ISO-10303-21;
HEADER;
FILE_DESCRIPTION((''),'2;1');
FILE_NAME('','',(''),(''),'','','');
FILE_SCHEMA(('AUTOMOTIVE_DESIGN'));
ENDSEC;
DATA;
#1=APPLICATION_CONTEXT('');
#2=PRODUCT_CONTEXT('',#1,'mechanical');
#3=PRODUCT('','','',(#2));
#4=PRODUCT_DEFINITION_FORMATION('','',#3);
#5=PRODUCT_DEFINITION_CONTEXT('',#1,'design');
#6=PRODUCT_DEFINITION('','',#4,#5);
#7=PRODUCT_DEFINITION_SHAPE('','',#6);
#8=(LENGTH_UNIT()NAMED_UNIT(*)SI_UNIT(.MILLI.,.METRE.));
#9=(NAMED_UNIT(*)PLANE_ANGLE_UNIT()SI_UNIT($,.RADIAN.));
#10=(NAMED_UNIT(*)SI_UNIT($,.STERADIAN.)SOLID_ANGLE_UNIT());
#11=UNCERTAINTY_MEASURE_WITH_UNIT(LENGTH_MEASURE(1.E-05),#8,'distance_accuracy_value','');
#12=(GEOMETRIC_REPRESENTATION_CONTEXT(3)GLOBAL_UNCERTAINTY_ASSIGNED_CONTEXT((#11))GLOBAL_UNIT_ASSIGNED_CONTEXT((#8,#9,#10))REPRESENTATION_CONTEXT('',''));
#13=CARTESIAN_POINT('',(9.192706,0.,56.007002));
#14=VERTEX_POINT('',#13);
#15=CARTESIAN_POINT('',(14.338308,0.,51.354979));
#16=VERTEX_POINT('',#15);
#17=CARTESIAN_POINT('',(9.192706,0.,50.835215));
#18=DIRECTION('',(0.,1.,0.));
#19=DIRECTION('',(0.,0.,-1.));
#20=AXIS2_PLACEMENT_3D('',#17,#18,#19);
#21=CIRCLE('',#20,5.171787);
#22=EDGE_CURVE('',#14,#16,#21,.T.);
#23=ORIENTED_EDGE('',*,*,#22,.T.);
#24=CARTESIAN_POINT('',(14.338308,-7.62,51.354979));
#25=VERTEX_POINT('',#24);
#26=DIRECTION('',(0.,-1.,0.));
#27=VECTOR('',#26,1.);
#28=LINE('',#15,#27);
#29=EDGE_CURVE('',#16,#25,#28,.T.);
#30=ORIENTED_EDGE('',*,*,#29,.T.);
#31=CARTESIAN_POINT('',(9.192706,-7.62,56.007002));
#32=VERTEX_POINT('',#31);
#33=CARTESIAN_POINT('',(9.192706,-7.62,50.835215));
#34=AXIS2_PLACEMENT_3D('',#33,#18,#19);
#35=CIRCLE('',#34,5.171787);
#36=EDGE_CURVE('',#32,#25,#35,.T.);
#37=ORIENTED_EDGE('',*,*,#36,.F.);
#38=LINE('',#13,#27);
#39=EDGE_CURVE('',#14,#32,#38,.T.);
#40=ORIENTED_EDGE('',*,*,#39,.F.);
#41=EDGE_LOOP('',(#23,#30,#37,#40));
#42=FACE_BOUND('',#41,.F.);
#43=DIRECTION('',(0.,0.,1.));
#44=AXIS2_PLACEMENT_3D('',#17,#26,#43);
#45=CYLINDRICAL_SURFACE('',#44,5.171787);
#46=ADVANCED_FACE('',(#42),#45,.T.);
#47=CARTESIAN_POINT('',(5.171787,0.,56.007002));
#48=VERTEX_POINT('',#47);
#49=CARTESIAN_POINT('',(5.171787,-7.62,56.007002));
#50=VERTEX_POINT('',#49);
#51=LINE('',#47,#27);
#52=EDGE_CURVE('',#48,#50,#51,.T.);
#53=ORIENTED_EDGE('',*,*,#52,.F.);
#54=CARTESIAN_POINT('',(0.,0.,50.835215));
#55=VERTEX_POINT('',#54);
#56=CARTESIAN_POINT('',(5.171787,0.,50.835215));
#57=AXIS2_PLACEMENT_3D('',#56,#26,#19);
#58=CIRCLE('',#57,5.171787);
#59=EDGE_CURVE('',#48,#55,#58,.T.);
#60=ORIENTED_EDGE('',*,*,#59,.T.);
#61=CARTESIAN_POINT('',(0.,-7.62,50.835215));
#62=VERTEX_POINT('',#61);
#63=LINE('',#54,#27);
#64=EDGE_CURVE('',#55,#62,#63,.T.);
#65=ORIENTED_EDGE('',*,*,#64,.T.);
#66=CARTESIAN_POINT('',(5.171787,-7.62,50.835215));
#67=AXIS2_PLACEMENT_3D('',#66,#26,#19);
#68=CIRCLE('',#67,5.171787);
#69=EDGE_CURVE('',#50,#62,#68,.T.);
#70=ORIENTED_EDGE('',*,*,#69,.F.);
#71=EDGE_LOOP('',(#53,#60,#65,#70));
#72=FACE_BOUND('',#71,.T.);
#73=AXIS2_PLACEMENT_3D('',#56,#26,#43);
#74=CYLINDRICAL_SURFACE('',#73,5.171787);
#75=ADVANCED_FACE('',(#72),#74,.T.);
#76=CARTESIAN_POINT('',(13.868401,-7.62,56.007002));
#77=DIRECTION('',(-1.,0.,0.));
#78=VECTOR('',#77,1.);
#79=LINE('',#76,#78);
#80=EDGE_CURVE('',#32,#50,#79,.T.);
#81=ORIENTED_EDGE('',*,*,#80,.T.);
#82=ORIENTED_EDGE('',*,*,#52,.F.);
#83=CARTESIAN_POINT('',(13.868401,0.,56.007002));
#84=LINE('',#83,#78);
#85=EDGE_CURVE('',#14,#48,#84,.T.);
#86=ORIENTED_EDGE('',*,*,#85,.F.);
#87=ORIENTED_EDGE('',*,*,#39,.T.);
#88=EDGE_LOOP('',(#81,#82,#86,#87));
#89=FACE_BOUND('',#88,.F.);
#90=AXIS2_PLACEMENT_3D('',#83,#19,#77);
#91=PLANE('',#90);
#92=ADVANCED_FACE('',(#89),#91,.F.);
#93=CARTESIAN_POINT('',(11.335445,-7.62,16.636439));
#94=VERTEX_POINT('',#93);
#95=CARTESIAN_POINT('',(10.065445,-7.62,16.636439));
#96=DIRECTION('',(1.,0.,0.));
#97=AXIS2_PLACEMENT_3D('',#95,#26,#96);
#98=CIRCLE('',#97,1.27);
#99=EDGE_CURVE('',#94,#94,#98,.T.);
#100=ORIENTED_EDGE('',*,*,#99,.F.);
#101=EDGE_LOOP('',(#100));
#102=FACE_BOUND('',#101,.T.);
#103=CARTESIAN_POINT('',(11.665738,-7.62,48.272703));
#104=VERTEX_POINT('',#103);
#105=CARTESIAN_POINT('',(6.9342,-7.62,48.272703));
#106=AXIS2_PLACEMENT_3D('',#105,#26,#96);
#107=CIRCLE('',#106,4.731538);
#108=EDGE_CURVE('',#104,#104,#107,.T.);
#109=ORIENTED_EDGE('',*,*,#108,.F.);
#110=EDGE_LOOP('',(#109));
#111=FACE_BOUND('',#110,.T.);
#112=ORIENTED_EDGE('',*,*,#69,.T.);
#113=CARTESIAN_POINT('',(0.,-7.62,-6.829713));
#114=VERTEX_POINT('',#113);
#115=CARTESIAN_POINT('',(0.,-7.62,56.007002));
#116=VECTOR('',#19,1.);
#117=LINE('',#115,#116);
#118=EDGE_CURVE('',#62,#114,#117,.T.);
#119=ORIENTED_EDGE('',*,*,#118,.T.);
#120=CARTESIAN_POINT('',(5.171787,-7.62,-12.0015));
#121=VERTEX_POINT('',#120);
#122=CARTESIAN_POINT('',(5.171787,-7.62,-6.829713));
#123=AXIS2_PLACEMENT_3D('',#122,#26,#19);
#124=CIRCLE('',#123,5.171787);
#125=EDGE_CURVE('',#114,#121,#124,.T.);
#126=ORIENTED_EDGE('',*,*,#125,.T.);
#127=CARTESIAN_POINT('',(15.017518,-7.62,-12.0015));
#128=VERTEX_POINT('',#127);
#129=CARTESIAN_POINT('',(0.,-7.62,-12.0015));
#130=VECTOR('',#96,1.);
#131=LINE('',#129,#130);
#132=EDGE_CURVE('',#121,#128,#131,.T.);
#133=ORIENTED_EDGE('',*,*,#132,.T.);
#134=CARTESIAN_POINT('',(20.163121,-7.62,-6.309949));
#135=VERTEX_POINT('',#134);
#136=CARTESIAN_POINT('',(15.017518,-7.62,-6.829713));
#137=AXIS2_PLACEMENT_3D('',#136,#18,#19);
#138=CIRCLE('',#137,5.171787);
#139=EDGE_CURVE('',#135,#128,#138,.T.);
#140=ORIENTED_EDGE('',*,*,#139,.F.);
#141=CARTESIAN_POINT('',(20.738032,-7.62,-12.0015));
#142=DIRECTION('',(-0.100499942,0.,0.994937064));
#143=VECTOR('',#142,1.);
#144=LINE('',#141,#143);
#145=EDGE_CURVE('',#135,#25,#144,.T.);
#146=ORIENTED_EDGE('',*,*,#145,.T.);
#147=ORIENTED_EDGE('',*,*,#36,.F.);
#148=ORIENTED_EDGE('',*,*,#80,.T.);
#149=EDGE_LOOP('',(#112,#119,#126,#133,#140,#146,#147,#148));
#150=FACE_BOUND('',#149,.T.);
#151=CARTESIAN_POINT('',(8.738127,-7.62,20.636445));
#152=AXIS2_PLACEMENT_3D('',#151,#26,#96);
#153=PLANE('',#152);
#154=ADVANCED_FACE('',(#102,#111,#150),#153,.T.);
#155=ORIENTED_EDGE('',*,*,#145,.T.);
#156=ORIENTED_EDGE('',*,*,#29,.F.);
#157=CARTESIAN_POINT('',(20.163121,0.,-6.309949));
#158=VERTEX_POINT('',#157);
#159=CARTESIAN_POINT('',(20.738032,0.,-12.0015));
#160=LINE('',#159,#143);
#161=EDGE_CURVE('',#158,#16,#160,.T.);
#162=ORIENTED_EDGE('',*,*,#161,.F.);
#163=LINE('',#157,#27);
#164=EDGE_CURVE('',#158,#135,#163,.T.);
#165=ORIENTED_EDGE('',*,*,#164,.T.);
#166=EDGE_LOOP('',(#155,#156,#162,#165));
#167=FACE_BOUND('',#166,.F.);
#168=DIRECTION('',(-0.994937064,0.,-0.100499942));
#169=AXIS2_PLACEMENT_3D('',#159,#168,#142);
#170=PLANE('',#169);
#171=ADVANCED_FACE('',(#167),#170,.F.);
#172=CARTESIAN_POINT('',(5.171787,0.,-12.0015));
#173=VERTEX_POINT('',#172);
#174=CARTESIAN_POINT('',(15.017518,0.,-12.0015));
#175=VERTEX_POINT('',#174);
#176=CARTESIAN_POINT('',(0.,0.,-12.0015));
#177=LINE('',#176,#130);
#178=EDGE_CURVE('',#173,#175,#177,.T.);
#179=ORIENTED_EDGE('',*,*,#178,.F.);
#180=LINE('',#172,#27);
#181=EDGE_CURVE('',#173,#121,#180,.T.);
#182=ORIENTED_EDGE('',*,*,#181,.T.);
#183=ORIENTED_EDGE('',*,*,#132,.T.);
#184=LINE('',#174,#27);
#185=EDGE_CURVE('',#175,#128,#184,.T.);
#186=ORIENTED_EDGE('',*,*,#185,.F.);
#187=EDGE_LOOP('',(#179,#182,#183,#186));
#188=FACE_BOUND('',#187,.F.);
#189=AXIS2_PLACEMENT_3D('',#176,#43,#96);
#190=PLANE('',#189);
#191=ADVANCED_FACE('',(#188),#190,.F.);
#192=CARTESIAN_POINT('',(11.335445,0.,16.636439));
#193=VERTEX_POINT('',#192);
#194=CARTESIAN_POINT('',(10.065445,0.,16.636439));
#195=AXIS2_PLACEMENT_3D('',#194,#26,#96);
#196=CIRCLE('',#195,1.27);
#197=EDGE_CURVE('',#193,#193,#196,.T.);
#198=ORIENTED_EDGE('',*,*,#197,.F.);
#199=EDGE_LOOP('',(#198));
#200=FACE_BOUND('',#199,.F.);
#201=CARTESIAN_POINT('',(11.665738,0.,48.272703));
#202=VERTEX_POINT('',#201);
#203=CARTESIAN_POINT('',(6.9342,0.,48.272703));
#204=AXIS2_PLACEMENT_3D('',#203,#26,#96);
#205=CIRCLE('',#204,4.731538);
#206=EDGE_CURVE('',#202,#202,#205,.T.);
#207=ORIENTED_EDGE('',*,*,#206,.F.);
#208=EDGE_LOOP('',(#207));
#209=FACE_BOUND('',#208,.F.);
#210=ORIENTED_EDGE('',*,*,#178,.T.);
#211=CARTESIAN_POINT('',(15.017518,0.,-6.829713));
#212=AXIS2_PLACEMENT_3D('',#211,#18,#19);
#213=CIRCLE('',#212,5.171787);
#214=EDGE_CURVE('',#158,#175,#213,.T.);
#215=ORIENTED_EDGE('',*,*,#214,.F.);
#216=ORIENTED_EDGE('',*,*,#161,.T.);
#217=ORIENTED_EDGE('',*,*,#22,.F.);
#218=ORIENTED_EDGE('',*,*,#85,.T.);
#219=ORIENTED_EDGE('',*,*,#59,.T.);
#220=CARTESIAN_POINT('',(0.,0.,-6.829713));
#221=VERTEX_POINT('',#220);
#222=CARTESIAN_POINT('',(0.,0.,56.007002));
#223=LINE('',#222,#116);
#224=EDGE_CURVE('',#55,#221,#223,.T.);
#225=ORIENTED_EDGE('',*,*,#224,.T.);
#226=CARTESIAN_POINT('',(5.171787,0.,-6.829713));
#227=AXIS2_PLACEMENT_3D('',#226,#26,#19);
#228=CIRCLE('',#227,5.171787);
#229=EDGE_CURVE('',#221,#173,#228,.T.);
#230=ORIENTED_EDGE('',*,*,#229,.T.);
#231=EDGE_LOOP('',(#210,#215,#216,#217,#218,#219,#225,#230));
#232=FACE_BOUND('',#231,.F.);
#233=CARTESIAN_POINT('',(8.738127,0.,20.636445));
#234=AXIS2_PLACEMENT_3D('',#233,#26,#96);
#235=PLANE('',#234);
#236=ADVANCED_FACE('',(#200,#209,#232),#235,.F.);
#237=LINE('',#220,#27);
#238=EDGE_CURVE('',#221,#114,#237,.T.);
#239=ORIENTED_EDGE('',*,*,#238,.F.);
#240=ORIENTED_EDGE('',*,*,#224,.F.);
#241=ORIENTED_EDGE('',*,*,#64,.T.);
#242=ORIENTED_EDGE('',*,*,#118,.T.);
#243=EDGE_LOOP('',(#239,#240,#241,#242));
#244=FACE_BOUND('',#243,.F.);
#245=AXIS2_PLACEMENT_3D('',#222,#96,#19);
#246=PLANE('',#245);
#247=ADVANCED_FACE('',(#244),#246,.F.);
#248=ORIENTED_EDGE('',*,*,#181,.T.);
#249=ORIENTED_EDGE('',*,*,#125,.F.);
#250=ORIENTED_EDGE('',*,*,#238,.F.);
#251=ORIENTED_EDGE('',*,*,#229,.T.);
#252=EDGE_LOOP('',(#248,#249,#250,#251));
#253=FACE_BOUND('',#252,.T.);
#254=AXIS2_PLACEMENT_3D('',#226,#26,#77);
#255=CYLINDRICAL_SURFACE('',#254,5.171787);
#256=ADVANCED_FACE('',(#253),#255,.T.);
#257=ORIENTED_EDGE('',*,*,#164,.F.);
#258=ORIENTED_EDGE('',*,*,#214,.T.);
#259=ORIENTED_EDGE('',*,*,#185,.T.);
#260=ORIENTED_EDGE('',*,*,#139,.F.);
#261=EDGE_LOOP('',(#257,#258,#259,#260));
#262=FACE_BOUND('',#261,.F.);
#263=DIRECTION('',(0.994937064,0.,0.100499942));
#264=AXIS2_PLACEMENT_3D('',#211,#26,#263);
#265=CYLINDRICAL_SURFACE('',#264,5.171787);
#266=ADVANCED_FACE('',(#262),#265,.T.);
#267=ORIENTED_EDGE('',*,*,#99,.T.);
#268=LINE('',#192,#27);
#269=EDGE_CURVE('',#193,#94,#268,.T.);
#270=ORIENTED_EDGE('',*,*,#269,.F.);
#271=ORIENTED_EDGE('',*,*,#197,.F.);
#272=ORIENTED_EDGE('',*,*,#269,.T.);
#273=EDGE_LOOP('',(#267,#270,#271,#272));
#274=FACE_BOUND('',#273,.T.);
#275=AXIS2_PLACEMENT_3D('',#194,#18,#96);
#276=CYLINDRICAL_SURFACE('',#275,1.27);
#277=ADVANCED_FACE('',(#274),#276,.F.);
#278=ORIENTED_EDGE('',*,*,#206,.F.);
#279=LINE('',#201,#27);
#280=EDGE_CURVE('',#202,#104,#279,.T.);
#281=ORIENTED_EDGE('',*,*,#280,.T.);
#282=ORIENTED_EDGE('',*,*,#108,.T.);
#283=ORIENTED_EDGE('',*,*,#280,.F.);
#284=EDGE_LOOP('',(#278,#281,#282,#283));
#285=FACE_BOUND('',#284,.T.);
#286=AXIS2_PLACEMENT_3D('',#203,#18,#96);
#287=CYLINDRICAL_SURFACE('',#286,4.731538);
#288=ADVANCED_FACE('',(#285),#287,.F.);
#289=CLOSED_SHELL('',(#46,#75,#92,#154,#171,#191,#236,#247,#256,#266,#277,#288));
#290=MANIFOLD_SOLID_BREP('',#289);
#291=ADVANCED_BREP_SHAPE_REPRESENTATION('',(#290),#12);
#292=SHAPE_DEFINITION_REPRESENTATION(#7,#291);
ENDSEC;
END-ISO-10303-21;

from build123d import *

# Parameters (mm, degrees)
F0_R     = 1.27
F0_R_2   = 4.731538
F1_DEPTH = 7.62
F2_R     = 5.171787


with BuildPart() as f1:
    # F0 (on Front) → F1 (new body)
    with BuildSketch(Plane.XZ):
        Polygon((13.868401, 56.007002), (0, 56.007002), (0, 0), (0, -12.0015), (20.738032, -12.0015), align=None)
        with Locations((10.065445, 16.636439)):
            Circle(F0_R, mode=Mode.SUBTRACT)
        with Locations((6.9342, 48.272703)):
            Circle(F0_R_2, mode=Mode.SUBTRACT)
    extrude(amount=F1_DEPTH)

    # F2
    f2_edges = [f1.edges().sort_by_distance(p)[0] for p in [
        (0, -3.81, 56.007002),
        (13.868401, -3.81, 56.007002),
        (0, -3.81, -12.0015),
        (20.738032, -3.81, -12.0015),
    ]]
    fillet(f2_edges, radius=F2_R)


solid = f1.part
